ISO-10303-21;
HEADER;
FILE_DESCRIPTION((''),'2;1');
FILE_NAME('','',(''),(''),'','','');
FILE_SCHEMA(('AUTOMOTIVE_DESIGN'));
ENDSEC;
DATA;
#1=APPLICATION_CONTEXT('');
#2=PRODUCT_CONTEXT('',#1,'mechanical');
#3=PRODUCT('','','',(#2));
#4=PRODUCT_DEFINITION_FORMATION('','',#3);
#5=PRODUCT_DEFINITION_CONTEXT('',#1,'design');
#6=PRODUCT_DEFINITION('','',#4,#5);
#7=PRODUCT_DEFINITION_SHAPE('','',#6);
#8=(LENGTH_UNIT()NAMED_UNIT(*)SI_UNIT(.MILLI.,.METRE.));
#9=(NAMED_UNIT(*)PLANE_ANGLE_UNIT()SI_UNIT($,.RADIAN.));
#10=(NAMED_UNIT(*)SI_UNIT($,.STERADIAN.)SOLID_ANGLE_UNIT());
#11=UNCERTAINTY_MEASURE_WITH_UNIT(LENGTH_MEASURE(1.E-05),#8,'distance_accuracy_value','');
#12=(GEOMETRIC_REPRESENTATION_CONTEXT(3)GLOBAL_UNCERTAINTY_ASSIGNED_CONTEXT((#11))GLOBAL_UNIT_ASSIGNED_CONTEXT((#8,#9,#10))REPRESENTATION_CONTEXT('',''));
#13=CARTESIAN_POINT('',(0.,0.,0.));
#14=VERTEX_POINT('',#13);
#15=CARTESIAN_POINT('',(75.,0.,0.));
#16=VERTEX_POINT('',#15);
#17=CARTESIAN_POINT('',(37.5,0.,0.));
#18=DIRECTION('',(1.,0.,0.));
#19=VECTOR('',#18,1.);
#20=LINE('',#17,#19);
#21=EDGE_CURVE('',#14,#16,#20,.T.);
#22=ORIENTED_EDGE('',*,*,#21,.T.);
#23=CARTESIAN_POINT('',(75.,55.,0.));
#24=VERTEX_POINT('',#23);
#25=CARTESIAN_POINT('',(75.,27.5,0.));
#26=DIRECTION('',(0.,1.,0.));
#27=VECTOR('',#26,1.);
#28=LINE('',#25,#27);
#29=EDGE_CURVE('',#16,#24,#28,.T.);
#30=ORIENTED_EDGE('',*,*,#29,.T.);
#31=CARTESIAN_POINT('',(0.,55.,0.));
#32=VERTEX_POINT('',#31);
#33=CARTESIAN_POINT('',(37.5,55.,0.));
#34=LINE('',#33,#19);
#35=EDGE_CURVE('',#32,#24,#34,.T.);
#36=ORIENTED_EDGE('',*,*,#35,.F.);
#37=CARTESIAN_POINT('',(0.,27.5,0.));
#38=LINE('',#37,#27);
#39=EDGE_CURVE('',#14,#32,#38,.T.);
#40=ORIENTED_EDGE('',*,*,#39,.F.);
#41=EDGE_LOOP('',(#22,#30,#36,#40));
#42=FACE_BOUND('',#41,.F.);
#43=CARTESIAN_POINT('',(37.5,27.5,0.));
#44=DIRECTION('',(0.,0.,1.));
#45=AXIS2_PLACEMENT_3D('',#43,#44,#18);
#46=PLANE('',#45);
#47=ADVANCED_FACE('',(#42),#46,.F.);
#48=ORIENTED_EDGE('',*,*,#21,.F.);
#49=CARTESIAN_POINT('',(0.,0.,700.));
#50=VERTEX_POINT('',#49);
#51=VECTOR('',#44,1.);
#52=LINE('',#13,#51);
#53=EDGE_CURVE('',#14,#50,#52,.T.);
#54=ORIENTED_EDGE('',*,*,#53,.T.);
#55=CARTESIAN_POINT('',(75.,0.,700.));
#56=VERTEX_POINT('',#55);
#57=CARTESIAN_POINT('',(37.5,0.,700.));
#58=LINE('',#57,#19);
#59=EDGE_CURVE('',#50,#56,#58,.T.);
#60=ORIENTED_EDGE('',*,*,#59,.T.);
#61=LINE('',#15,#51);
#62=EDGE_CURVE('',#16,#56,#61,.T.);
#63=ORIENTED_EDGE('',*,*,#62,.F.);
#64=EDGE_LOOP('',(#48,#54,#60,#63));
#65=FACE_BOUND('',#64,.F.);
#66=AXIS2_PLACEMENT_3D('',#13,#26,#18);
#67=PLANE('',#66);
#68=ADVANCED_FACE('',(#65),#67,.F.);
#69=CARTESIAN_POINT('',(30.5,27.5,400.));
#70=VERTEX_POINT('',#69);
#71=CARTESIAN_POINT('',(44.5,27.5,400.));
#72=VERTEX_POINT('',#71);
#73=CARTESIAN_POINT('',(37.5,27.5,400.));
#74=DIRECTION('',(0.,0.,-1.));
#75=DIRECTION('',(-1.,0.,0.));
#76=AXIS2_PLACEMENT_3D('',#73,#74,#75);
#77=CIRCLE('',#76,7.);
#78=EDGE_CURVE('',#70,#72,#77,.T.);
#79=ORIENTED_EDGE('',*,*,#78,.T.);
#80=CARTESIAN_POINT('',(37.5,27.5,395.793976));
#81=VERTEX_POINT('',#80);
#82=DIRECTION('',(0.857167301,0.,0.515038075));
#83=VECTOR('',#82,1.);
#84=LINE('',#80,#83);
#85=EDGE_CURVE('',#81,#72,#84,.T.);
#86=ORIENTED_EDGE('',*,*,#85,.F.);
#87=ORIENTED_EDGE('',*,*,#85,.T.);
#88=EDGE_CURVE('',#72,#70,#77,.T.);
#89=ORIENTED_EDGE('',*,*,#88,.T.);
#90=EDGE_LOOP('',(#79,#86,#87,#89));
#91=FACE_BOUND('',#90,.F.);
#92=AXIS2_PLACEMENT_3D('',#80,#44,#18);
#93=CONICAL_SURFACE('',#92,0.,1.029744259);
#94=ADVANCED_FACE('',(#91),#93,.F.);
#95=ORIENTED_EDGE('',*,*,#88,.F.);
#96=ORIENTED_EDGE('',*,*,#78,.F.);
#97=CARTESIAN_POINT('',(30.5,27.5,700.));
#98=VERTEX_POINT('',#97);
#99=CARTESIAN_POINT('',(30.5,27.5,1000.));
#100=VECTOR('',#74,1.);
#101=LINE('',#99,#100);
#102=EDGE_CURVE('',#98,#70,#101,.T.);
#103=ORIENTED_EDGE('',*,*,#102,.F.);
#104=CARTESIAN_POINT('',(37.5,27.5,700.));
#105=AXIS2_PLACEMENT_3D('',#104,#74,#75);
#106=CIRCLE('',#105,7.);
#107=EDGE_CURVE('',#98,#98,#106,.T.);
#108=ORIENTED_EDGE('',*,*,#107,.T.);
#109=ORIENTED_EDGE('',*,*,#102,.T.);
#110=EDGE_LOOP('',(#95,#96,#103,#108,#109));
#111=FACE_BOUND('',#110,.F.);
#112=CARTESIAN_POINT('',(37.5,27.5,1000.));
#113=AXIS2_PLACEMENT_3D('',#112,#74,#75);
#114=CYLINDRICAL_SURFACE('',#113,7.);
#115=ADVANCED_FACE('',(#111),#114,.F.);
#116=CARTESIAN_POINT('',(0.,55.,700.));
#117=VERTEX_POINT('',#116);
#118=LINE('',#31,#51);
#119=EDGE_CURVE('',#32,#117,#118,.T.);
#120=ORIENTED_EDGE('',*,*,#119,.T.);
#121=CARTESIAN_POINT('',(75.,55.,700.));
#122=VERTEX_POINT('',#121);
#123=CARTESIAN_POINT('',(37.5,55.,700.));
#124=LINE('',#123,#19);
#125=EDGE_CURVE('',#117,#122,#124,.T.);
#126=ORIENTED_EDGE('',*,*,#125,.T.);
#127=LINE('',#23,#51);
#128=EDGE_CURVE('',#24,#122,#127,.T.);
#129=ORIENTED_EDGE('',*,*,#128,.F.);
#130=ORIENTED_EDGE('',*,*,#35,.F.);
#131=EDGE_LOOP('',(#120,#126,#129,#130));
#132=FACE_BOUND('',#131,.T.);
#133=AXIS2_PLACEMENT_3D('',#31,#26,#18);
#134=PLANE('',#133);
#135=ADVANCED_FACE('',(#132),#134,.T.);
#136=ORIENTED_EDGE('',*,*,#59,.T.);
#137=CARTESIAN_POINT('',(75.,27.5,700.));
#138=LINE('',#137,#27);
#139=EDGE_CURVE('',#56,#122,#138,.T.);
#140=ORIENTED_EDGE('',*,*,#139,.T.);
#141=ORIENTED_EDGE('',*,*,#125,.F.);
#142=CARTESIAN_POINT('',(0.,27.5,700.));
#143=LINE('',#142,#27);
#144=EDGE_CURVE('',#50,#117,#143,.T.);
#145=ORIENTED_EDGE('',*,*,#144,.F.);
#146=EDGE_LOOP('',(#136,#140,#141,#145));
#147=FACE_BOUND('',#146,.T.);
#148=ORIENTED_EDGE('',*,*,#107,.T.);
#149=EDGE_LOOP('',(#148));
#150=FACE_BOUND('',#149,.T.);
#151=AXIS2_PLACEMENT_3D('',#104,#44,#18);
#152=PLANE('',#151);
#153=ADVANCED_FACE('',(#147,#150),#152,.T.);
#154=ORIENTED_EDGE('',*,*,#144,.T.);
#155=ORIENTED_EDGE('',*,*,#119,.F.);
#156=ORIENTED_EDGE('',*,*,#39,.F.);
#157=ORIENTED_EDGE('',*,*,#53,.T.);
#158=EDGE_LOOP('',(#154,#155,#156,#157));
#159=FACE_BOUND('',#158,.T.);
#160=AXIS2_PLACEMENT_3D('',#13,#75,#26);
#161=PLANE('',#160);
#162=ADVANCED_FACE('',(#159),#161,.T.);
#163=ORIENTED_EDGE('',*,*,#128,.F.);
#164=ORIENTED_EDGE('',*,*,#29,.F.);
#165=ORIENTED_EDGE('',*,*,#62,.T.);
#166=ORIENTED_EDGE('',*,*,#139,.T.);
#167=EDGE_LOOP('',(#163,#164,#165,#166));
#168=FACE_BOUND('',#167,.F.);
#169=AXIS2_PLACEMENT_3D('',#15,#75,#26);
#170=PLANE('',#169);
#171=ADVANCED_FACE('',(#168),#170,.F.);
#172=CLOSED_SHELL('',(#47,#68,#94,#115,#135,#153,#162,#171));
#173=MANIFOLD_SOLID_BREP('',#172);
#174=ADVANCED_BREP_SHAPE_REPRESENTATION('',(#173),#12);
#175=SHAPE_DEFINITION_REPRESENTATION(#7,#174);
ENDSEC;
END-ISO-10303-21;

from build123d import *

# Parameters (mm, degrees)
F0_W     = 75
F0_H     = 55
F1_DEPTH = 700
F3_D     = 14
F3_DEPTH = 300
F3_TIP   = 4.2060243332


with BuildPart() as f1:
    # F0 (on Top) → F1 (new body)
    with BuildSketch(Plane.XY):
        with Locations((37.5, 27.5)):
            Rectangle(F0_W, F0_H)
    extrude(amount=F1_DEPTH)

    # F3
    with Locations(Plane.XY.offset(700)):
        with Locations((37.5, 27.5)):
            Hole(F3_D / 2, depth=F3_DEPTH)
            with Locations((0, 0, -(F3_DEPTH + F3_TIP / 2))):  # 118° drill point
                Cone(0, F3_D / 2, F3_TIP, mode=Mode.SUBTRACT)


solid = f1.part
